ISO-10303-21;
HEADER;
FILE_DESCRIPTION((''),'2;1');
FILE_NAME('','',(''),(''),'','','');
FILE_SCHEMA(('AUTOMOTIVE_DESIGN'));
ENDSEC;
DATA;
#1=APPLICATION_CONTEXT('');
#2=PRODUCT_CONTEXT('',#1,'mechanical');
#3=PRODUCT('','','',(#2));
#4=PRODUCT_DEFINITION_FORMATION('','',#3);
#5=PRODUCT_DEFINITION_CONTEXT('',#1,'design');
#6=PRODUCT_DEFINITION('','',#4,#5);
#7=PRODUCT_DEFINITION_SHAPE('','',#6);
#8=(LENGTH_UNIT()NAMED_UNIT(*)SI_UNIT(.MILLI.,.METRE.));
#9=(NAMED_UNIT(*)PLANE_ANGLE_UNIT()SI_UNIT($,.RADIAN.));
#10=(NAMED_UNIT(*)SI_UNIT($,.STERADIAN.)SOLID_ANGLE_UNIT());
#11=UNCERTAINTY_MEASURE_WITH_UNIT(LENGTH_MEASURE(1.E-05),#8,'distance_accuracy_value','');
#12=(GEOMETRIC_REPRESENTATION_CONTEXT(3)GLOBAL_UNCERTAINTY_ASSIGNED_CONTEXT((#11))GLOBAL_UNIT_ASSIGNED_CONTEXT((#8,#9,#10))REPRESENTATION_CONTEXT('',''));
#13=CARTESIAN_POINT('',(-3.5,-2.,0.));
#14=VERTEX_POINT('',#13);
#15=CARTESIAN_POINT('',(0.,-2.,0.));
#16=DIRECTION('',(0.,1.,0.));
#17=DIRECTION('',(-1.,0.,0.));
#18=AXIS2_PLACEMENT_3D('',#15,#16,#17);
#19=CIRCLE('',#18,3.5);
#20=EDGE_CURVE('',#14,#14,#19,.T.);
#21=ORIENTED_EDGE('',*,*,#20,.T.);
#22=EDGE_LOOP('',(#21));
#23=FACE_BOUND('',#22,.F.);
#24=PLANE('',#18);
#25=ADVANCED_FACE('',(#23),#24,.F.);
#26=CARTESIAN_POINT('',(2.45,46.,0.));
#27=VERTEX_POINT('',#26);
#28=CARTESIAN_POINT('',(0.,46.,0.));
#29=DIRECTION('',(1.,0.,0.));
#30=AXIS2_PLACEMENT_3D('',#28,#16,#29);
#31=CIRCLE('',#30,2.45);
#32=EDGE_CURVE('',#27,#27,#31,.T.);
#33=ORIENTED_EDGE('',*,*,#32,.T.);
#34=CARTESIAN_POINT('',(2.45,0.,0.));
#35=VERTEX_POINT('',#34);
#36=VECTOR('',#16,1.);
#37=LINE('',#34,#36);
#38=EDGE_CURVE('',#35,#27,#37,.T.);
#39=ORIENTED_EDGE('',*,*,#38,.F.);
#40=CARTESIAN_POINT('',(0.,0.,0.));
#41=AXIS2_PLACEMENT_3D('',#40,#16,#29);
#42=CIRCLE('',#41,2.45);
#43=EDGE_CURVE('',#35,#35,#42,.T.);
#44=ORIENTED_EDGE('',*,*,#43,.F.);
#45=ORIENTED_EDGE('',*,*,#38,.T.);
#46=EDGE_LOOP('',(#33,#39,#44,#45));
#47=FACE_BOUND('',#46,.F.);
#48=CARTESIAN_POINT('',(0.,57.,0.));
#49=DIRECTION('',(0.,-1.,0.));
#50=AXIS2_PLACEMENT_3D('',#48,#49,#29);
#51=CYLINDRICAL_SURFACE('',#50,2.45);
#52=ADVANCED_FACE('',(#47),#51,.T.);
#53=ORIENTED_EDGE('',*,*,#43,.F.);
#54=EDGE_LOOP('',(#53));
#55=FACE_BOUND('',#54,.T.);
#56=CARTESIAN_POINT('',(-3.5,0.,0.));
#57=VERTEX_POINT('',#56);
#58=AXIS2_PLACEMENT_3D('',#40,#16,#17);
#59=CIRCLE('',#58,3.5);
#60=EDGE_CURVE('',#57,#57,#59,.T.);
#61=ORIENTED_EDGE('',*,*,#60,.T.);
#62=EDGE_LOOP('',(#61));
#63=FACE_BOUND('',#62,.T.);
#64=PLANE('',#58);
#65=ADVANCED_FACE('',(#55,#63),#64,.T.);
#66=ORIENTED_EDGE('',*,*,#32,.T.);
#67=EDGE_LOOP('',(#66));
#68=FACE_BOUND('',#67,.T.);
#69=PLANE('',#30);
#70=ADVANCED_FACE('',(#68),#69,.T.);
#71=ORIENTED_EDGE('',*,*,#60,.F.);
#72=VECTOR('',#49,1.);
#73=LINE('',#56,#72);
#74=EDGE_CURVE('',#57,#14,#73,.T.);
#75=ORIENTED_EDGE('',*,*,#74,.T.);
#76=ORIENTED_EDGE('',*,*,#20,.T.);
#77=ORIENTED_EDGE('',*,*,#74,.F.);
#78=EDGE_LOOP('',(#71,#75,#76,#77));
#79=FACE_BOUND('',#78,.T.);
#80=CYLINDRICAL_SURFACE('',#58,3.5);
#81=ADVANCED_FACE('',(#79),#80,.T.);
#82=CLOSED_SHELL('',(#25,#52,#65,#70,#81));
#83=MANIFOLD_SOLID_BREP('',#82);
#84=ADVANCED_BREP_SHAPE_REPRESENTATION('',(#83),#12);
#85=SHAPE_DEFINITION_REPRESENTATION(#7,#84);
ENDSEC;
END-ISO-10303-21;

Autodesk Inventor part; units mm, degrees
ref_plane "YZ Plane" through (0, 0, 0) normal (1, 0, 0) x (0, 1, 0)
ref_plane "XZ Plane" through (0, 0, 0) normal (0, 1, 0) x (-1, 0, 0)
ref_plane "XY Plane" through (0, 0, 0) normal (0, 0, 1) x (1, 0, 0)
sketch "Boceto1" plane through (0, 0, 0) normal (0, 1, 0) x (-1, 0, 0)
  circle A0 centre (0, 0) radius 3.5
extrude "Extrusión1" add sketch "Boceto1" against normal blind 2
sketch "Boceto2" plane through (0, 0, 0) normal (0, 1, 0) x (1, 0, 0)
  circle A0 centre (0, 0) radius 2.45
extrude "Extrusión2" add sketch "Boceto2" along normal blind 70
thread "Rosca1" size "M5x0.8" class "6g" standard "ANSI Metric M Profile" length 70
sketch "Boceto3" plane through (0, 70, 0) normal (0, 1, 0) x (1, 0, 0)
  circle A0 centre (0, 0) radius 2.5
  dimension "d8" = 5
extrude "Extrusión3" cut sketch "Boceto3" against normal blind 25
sketch "Boceto4" plane through (0, 45, 0) normal (0, 1, 0) x (1, 0, 0)
  circle A0 centre (0, 0) radius 2.45
extrude "Extrusión4" add sketch "Boceto4" along normal blind 12
sketch "Boceto5" plane through (0, 57, 0) normal (0, 1, 0) x (1, 0, 0)
  circle A0 centre (0, 0) radius 2.45
extrude "Extrusión5" add sketch "Boceto5" along normal blind 12
sketch "Boceto6" plane through (0, 69, 0) normal (0, 1, 0) x (1, 0, 0)
  circle A0 centre (0, 0) radius 2.45
extrude "Extrusión6" cut sketch "Boceto6" against normal blind 23
properties part number "Tornillo_Corto"
